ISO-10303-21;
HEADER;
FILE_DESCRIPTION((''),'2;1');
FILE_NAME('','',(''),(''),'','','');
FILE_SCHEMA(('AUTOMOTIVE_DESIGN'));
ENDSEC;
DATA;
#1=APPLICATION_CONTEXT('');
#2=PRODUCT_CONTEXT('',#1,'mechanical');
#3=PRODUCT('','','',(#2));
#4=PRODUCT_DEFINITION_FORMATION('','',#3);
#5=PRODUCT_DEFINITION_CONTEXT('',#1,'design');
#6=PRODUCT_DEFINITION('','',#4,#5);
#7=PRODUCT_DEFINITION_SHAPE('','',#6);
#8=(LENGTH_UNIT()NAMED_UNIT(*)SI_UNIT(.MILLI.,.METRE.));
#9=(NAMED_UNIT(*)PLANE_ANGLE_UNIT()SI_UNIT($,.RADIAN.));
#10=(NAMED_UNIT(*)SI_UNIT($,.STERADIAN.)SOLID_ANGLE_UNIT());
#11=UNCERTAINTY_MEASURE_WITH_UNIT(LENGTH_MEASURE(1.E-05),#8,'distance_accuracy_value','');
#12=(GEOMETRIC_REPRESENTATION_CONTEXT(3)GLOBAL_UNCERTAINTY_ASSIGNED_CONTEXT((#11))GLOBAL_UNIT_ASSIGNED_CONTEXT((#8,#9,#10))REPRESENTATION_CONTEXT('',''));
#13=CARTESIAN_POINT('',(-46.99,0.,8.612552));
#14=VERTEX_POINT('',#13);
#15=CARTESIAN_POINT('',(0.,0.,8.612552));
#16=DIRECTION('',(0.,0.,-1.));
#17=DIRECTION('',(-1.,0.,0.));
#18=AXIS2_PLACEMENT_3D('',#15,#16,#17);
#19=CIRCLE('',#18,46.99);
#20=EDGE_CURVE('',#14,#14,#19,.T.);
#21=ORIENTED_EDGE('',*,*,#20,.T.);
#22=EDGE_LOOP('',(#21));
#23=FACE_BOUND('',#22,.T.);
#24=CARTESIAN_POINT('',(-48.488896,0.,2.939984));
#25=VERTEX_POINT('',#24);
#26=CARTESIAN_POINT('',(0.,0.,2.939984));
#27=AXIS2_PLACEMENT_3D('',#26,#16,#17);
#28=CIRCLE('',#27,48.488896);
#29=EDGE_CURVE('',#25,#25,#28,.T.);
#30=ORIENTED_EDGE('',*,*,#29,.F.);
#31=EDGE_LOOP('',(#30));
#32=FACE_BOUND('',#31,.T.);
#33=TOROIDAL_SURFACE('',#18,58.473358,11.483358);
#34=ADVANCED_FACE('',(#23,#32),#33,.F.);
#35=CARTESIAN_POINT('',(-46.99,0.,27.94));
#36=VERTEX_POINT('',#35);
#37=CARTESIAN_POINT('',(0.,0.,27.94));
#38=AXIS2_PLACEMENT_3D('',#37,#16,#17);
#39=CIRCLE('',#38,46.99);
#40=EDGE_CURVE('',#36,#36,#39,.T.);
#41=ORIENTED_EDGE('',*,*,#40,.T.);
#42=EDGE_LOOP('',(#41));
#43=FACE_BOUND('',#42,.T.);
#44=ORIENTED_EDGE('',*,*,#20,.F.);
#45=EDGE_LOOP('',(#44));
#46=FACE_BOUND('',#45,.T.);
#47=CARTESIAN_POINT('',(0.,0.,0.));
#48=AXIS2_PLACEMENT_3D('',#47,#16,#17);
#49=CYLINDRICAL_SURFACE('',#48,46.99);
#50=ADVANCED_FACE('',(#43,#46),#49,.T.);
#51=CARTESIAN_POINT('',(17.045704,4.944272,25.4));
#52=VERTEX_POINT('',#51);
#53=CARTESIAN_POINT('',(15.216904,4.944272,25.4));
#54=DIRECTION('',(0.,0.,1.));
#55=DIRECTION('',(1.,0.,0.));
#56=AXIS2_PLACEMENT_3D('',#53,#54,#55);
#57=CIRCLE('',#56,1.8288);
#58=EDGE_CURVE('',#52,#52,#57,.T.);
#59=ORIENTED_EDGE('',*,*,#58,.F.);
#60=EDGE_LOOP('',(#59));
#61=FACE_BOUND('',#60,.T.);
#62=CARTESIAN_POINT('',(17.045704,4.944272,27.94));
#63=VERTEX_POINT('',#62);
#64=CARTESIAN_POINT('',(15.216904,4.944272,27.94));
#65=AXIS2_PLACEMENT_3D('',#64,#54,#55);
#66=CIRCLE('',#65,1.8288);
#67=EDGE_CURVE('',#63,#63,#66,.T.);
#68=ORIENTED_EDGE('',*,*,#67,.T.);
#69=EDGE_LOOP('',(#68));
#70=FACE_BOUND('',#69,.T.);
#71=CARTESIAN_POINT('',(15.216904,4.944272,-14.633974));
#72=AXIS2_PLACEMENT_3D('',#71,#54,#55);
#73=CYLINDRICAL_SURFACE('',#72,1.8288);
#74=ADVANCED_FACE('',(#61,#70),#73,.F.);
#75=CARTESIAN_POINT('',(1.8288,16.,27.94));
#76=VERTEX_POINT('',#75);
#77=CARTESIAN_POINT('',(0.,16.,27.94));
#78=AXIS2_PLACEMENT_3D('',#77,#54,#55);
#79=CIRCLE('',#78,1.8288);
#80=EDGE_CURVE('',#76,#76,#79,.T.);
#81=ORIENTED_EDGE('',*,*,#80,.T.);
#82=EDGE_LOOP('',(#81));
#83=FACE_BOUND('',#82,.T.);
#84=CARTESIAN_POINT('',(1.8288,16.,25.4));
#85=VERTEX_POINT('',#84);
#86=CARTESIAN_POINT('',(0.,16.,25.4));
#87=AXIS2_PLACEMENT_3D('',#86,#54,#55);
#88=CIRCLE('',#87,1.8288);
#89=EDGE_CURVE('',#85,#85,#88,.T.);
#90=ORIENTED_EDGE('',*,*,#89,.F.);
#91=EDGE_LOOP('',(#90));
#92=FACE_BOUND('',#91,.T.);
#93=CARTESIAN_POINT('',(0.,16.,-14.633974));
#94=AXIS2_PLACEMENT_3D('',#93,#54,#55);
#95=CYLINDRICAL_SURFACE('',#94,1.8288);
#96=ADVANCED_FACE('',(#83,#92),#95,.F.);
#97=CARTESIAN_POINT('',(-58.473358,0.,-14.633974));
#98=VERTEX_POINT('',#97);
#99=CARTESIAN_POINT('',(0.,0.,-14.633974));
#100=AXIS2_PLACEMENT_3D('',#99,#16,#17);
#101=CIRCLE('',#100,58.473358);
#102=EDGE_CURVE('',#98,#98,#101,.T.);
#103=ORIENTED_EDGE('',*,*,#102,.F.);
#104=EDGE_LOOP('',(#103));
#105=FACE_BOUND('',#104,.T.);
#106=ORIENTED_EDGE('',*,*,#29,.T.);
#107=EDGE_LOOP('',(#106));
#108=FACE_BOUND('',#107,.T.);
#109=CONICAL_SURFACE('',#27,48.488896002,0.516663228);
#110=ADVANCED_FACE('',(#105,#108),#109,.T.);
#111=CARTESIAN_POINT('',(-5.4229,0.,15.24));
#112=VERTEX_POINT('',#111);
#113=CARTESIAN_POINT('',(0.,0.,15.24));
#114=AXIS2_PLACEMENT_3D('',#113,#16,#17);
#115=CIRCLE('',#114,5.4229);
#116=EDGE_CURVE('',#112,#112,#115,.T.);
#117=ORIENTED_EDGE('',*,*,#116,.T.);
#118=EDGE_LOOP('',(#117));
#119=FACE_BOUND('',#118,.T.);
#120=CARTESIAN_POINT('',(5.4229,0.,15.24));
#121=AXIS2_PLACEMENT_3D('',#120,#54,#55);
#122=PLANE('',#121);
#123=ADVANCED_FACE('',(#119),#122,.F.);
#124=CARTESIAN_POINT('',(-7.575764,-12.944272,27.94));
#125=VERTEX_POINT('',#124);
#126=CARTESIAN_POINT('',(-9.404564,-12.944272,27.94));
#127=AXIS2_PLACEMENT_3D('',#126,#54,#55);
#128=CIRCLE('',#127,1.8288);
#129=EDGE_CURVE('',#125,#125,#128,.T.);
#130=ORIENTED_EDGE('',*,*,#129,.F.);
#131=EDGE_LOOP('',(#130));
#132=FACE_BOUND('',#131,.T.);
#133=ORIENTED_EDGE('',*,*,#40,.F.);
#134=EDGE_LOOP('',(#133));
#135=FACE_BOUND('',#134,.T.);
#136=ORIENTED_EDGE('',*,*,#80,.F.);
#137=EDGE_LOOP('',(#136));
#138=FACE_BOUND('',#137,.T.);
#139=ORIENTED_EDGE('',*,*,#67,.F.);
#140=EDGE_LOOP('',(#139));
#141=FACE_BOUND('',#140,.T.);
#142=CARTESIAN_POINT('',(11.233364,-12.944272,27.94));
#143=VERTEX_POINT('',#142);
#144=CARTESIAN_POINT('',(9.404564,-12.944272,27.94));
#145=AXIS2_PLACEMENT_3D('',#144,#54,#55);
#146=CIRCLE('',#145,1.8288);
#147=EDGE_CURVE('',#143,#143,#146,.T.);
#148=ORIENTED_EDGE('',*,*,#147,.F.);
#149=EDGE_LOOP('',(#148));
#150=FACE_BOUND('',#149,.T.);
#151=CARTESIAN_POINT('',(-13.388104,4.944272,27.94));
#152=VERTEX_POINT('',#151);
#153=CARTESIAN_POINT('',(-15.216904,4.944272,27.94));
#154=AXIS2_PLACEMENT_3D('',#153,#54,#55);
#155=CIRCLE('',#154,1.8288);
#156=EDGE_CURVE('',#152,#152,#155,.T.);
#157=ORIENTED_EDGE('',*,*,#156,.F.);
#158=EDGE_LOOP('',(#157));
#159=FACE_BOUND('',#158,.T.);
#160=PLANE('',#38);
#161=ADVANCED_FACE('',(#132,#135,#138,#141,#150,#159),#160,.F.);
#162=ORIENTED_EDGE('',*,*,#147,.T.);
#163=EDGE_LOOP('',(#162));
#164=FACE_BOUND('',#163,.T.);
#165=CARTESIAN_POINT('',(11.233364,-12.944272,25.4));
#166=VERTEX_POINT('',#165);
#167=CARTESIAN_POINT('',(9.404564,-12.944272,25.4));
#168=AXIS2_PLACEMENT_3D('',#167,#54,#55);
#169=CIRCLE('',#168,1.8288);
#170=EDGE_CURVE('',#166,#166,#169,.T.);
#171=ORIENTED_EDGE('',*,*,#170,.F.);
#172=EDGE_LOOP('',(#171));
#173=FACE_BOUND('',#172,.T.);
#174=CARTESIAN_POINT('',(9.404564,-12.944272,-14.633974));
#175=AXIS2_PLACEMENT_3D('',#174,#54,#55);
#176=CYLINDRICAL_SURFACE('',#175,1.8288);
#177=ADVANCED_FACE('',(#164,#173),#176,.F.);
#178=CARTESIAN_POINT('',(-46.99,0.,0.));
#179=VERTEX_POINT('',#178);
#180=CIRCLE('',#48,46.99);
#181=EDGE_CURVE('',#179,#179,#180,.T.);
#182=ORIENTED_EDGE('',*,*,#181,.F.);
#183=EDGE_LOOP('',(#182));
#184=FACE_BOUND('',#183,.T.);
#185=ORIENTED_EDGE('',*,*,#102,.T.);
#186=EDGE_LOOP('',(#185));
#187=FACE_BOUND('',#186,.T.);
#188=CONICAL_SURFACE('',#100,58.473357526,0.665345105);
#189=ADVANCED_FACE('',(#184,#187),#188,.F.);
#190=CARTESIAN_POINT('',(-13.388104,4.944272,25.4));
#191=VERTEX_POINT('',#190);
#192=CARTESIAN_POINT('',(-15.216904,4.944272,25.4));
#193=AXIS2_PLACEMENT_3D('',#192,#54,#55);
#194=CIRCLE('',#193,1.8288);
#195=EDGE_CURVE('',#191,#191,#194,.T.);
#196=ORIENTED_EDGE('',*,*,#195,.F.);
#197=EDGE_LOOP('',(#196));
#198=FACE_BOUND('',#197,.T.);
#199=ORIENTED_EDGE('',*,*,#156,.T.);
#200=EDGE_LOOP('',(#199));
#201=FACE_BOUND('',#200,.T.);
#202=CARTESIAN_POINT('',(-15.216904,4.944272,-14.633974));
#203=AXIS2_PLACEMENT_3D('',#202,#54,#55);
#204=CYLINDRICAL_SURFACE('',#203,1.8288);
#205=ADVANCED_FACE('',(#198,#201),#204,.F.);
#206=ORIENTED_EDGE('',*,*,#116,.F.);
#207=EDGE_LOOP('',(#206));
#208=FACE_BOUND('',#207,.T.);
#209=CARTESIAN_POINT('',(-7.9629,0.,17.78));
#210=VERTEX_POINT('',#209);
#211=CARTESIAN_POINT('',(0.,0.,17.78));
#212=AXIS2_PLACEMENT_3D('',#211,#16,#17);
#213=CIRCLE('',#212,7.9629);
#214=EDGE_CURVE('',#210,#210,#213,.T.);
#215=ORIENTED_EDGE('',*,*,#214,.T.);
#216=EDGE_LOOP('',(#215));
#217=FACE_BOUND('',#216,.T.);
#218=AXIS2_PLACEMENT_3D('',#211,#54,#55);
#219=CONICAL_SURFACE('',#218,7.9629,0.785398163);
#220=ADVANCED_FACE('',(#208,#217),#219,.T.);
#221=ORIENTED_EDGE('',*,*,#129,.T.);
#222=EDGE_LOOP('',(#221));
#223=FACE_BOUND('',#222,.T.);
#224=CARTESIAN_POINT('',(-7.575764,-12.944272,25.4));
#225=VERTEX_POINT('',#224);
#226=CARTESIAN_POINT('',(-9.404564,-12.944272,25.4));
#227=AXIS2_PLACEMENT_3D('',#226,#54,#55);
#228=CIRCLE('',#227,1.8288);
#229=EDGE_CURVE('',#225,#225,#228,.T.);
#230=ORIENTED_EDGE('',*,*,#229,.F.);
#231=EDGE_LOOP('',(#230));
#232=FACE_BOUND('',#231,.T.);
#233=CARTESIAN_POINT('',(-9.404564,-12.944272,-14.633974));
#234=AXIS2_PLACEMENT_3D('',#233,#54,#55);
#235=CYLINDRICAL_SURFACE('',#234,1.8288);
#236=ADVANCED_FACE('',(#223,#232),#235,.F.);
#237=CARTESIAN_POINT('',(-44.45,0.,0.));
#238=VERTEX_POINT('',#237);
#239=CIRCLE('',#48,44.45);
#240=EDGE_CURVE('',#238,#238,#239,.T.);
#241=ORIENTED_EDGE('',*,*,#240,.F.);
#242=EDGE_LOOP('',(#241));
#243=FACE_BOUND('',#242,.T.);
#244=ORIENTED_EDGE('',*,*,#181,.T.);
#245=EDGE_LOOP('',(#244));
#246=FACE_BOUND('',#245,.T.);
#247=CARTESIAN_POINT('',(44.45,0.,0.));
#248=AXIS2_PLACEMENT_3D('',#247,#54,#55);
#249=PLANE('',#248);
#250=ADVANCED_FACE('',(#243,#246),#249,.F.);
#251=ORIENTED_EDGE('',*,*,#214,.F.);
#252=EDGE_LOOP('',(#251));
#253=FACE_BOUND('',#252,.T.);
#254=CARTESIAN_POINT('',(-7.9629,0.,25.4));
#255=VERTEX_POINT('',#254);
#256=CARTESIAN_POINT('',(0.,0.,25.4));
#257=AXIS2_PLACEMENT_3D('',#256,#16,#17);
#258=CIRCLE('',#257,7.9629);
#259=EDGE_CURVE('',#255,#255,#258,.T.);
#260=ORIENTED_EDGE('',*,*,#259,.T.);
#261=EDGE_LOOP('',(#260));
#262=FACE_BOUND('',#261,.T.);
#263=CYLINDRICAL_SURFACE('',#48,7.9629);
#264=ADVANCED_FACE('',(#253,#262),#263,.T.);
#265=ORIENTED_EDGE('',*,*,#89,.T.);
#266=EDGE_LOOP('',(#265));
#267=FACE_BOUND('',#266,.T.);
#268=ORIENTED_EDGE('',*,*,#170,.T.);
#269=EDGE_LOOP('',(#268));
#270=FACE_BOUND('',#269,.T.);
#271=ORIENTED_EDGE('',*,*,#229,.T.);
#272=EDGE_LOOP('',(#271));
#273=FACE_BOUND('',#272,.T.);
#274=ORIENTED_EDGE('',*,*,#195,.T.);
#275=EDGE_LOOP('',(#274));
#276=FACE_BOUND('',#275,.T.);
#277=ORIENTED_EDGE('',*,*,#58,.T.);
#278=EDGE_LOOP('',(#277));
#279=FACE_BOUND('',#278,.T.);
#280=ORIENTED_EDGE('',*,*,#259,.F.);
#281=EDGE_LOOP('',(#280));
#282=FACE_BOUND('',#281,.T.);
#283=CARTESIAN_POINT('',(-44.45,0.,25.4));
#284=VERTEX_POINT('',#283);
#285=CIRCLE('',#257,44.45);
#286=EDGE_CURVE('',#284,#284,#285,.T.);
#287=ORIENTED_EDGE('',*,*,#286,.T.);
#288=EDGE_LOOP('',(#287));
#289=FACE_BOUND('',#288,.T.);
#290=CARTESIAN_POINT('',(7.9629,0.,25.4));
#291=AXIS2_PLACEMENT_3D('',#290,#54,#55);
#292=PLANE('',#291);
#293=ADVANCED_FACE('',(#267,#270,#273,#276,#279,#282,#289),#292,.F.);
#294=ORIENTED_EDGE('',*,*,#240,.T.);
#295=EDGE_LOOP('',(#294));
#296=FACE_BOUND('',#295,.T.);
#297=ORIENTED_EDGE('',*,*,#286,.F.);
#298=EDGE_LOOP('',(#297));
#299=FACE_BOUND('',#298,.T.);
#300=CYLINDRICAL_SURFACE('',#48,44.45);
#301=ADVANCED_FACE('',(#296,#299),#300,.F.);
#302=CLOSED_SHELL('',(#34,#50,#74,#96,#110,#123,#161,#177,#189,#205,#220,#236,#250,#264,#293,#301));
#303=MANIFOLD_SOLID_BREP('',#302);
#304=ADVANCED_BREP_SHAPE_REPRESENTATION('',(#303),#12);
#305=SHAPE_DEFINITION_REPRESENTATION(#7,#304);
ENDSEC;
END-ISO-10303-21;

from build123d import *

# Parameters (mm, degrees)
SKETCH2_R          = 1.8288
CUT_EXTRUDE1_DEPTH = 43.573973945


with BuildPart() as part:
    # Sketch1 → Revolve1 (revolve)
    with BuildSketch(Plane(origin=(0, 0, 0), x_dir=(1, 0, 0), z_dir=(0, 1, 0))):
        with BuildLine():
            Line((7.9629, -25.4), (44.45, -25.4))
            Line((44.45, -25.4), (44.45, 0))
            Line((44.45, 0), (46.99, 0))
            Line((46.99, 0), (58.473357526, 14.633973945))
            Line((58.473357526, 14.633973945), (48.488896002, -2.93998396))
            ThreePointArc((48.488896002, -2.93998396), (47.371046022, -5.678922959), (46.99, -8.612551998))
            Line((46.99, -8.612551998), (46.99, -27.94))
            Line((46.99, -27.94), (0, -27.94))
            Line((0, -27.94), (0, -15.24))
            Line((0, -15.24), (5.4229, -15.24))
            Line((5.4229, -15.24), (7.9629, -17.78))
            Line((7.9629, -17.78), (7.9629, -25.4))
        make_face()
    revolve(axis=Axis((0, 0, 0), (0, 0, 1)))

    # Sketch2 → Cut-Extrude1 (cut, through all)
    with BuildSketch(Plane.XY.offset(27.94)):
        with Locations((0, 16)):
            Circle(SKETCH2_R)
        with Locations((15.216904261, 4.94427191)):
            Circle(SKETCH2_R)
        with Locations((9.404564037, -12.94427191)):
            Circle(SKETCH2_R)
        with Locations((-9.404564037, -12.94427191)):
            Circle(SKETCH2_R)
        with Locations((-15.216904261, 4.94427191)):
            Circle(SKETCH2_R)
    extrude(amount=-CUT_EXTRUDE1_DEPTH, mode=Mode.SUBTRACT)


solid = part.part
